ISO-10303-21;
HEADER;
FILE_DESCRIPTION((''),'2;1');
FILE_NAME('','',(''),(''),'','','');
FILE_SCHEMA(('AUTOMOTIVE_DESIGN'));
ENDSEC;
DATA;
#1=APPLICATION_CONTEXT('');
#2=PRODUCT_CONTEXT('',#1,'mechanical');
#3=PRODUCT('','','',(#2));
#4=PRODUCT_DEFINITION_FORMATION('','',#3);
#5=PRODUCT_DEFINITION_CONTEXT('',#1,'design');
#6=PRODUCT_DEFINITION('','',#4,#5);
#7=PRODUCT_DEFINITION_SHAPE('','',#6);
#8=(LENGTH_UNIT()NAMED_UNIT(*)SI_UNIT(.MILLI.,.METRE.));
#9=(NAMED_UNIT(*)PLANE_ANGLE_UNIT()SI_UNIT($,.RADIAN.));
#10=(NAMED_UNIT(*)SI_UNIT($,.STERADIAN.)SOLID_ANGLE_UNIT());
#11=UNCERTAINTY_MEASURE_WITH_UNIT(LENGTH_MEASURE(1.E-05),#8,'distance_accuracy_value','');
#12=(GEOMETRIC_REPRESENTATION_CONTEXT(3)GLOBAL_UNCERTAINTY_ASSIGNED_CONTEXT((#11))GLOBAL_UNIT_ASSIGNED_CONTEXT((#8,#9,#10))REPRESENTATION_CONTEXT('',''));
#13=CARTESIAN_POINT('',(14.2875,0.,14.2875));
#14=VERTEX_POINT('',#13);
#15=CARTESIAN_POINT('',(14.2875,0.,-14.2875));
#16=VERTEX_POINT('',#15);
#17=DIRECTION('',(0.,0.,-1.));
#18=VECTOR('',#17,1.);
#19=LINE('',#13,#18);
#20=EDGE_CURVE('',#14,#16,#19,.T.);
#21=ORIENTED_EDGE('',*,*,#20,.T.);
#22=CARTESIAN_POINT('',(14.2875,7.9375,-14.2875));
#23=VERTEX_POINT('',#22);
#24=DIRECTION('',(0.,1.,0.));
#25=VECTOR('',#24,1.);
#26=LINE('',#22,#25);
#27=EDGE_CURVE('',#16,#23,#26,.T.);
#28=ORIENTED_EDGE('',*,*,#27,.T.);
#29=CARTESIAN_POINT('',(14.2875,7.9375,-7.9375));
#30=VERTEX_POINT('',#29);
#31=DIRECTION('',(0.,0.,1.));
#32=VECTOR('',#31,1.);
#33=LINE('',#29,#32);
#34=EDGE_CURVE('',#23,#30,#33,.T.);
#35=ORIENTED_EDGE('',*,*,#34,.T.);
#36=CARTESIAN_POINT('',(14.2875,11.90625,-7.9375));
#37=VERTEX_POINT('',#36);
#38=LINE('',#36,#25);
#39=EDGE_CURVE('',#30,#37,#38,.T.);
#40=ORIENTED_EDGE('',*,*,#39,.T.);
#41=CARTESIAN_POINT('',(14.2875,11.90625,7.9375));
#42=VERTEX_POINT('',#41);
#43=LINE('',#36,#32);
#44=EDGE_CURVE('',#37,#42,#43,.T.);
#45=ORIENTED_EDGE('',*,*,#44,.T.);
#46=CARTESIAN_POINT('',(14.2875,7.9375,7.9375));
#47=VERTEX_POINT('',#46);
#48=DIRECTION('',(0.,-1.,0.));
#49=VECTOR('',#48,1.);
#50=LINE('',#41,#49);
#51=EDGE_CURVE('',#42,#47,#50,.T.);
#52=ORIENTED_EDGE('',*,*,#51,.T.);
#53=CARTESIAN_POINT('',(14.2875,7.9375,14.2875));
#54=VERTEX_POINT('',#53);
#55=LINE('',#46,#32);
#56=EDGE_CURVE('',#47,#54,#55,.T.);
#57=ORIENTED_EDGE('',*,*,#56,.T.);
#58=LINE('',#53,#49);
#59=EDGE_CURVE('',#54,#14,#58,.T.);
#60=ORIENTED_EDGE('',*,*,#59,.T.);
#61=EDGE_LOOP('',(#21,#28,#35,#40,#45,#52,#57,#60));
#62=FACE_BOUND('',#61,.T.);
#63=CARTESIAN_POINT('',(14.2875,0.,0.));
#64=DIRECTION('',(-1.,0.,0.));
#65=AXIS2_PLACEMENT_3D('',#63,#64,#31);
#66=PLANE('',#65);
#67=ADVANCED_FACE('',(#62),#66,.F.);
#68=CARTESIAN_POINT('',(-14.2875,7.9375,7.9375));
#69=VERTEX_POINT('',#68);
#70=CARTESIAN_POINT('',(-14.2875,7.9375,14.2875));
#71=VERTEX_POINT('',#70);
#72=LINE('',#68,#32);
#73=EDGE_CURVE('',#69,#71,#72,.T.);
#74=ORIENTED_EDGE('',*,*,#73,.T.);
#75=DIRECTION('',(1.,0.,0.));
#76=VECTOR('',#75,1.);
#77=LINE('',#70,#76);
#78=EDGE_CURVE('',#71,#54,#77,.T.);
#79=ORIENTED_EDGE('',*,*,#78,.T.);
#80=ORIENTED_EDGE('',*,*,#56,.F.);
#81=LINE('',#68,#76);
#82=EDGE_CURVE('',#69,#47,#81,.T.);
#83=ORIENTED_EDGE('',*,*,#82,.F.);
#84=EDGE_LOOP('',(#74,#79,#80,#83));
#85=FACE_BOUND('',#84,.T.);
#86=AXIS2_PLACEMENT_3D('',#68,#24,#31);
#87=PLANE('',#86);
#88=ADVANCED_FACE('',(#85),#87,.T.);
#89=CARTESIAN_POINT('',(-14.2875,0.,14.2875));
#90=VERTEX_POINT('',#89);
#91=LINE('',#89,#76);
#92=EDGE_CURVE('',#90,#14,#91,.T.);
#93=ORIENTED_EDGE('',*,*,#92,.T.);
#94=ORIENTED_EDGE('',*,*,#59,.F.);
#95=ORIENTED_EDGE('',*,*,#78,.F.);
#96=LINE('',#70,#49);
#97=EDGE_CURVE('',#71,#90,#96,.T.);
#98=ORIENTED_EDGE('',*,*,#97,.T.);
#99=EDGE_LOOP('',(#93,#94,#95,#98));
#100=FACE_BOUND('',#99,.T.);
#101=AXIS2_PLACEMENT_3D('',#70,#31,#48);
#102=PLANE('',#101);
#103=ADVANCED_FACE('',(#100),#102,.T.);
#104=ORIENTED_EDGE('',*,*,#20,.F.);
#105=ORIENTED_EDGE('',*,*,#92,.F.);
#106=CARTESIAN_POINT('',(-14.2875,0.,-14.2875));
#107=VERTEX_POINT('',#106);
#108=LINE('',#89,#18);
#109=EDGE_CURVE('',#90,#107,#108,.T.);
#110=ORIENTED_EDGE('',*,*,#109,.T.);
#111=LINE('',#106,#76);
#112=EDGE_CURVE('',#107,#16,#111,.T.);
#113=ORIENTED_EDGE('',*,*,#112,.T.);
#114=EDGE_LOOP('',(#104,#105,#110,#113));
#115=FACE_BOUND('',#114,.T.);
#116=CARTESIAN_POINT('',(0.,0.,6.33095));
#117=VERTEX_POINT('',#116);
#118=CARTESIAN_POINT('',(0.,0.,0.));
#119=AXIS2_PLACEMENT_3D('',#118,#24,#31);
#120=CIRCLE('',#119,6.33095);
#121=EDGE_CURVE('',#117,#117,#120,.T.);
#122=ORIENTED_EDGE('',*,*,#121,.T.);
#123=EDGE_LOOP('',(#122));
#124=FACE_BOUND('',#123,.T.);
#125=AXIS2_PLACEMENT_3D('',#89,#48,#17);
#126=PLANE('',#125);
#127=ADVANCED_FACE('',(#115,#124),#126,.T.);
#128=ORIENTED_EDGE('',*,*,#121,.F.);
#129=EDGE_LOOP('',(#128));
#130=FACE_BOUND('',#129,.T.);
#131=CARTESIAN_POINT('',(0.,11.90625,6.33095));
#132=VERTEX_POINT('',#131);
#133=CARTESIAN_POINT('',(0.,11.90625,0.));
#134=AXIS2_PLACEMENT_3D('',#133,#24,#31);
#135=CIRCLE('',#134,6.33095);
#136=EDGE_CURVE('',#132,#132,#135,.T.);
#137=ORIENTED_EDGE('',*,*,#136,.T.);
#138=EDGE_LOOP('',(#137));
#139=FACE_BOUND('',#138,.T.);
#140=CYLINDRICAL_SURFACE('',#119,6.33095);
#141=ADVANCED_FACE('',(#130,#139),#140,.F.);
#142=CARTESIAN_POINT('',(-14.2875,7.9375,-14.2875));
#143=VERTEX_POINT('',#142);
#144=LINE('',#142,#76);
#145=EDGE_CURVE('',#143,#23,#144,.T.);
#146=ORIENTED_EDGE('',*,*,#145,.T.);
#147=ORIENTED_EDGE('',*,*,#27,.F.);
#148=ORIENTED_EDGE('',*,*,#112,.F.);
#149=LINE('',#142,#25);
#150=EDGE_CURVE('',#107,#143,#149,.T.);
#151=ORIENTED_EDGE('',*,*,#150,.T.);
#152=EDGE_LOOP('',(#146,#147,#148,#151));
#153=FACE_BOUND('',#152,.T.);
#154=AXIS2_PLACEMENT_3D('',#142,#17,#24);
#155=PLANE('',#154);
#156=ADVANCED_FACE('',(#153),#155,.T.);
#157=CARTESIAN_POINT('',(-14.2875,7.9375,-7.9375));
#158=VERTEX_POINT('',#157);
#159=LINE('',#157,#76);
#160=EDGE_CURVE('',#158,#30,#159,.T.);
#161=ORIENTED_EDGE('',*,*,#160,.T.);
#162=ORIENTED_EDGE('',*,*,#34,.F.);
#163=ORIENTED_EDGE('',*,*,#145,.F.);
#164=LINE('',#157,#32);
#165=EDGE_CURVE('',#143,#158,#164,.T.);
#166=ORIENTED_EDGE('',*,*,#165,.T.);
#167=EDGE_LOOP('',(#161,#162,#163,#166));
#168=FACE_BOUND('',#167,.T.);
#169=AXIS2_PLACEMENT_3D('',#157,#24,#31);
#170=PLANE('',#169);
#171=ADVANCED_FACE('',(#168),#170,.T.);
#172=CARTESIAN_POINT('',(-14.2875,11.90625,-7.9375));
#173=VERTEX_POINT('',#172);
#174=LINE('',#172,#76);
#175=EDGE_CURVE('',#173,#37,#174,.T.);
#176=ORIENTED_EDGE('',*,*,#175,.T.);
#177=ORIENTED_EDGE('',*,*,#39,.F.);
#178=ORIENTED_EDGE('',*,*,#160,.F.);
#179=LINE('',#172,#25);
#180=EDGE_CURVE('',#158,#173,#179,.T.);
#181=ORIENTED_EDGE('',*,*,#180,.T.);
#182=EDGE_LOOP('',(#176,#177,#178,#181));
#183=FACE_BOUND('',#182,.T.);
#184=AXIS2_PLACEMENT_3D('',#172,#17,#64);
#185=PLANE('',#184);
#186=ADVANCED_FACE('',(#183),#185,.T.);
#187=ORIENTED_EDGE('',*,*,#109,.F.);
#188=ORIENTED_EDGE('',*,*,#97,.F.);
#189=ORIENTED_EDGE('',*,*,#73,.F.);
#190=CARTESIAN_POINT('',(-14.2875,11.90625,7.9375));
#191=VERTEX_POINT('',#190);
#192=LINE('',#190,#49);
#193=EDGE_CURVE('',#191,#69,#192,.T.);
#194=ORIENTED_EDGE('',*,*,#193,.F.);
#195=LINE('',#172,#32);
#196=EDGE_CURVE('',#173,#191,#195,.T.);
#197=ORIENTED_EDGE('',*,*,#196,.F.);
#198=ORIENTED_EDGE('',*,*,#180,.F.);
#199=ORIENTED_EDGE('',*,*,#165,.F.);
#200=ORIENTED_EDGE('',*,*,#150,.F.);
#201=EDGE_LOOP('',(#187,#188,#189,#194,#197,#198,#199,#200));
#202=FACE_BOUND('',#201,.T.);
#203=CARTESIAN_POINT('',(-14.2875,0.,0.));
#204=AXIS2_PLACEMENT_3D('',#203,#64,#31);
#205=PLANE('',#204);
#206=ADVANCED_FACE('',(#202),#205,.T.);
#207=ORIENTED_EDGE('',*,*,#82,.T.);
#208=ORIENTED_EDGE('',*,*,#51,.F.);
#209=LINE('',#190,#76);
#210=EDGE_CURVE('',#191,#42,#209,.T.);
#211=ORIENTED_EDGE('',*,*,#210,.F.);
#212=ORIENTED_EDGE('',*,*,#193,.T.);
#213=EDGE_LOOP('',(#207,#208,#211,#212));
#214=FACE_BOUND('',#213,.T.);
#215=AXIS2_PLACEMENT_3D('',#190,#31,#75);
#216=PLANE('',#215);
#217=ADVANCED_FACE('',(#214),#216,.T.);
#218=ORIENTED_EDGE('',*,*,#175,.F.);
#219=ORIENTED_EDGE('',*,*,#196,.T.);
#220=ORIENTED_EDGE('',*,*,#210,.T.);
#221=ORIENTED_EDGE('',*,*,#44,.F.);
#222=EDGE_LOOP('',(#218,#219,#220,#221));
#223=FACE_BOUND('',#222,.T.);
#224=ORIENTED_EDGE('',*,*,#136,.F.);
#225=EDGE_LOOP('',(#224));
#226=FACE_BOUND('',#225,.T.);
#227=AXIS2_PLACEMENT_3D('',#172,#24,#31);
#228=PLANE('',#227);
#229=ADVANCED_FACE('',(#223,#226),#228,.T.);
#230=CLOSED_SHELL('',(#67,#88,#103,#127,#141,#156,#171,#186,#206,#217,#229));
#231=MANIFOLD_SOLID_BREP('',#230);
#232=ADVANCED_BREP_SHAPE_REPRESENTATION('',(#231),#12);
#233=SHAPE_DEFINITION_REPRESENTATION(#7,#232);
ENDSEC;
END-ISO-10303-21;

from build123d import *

# Parameters (mm, degrees)
BOSS_EXTRUDE1_DEPTH = 14.2875
SKETCH2_R           = 6.33095
CUT_EXTRUDE1_DEPTH  = 12.90625


with BuildPart() as part:
    # Sketch1 → Boss-Extrude1 (new body, symmetric)
    with BuildSketch(Plane(origin=(0, 0, 0), x_dir=(0, 0, -1), z_dir=(1, 0, 0))):
        Polygon((7.9375, 11.90625), (-7.9375, 11.90625), (-7.9375, 7.9375), (-14.2875, 7.9375), (-14.2875, 0), (14.2875, 0), (14.2875, 7.9375), (7.9375, 7.9375), align=None)
    extrude(amount=BOSS_EXTRUDE1_DEPTH, both=True)

    # Sketch2 → Cut-Extrude1 (cut, through all)
    with BuildSketch(Plane(origin=(0, 11.90625, 0), x_dir=(1, 0, 0), z_dir=(0, 1, 0))):
        Circle(SKETCH2_R)
    extrude(amount=-CUT_EXTRUDE1_DEPTH, mode=Mode.SUBTRACT)


solid = part.part
